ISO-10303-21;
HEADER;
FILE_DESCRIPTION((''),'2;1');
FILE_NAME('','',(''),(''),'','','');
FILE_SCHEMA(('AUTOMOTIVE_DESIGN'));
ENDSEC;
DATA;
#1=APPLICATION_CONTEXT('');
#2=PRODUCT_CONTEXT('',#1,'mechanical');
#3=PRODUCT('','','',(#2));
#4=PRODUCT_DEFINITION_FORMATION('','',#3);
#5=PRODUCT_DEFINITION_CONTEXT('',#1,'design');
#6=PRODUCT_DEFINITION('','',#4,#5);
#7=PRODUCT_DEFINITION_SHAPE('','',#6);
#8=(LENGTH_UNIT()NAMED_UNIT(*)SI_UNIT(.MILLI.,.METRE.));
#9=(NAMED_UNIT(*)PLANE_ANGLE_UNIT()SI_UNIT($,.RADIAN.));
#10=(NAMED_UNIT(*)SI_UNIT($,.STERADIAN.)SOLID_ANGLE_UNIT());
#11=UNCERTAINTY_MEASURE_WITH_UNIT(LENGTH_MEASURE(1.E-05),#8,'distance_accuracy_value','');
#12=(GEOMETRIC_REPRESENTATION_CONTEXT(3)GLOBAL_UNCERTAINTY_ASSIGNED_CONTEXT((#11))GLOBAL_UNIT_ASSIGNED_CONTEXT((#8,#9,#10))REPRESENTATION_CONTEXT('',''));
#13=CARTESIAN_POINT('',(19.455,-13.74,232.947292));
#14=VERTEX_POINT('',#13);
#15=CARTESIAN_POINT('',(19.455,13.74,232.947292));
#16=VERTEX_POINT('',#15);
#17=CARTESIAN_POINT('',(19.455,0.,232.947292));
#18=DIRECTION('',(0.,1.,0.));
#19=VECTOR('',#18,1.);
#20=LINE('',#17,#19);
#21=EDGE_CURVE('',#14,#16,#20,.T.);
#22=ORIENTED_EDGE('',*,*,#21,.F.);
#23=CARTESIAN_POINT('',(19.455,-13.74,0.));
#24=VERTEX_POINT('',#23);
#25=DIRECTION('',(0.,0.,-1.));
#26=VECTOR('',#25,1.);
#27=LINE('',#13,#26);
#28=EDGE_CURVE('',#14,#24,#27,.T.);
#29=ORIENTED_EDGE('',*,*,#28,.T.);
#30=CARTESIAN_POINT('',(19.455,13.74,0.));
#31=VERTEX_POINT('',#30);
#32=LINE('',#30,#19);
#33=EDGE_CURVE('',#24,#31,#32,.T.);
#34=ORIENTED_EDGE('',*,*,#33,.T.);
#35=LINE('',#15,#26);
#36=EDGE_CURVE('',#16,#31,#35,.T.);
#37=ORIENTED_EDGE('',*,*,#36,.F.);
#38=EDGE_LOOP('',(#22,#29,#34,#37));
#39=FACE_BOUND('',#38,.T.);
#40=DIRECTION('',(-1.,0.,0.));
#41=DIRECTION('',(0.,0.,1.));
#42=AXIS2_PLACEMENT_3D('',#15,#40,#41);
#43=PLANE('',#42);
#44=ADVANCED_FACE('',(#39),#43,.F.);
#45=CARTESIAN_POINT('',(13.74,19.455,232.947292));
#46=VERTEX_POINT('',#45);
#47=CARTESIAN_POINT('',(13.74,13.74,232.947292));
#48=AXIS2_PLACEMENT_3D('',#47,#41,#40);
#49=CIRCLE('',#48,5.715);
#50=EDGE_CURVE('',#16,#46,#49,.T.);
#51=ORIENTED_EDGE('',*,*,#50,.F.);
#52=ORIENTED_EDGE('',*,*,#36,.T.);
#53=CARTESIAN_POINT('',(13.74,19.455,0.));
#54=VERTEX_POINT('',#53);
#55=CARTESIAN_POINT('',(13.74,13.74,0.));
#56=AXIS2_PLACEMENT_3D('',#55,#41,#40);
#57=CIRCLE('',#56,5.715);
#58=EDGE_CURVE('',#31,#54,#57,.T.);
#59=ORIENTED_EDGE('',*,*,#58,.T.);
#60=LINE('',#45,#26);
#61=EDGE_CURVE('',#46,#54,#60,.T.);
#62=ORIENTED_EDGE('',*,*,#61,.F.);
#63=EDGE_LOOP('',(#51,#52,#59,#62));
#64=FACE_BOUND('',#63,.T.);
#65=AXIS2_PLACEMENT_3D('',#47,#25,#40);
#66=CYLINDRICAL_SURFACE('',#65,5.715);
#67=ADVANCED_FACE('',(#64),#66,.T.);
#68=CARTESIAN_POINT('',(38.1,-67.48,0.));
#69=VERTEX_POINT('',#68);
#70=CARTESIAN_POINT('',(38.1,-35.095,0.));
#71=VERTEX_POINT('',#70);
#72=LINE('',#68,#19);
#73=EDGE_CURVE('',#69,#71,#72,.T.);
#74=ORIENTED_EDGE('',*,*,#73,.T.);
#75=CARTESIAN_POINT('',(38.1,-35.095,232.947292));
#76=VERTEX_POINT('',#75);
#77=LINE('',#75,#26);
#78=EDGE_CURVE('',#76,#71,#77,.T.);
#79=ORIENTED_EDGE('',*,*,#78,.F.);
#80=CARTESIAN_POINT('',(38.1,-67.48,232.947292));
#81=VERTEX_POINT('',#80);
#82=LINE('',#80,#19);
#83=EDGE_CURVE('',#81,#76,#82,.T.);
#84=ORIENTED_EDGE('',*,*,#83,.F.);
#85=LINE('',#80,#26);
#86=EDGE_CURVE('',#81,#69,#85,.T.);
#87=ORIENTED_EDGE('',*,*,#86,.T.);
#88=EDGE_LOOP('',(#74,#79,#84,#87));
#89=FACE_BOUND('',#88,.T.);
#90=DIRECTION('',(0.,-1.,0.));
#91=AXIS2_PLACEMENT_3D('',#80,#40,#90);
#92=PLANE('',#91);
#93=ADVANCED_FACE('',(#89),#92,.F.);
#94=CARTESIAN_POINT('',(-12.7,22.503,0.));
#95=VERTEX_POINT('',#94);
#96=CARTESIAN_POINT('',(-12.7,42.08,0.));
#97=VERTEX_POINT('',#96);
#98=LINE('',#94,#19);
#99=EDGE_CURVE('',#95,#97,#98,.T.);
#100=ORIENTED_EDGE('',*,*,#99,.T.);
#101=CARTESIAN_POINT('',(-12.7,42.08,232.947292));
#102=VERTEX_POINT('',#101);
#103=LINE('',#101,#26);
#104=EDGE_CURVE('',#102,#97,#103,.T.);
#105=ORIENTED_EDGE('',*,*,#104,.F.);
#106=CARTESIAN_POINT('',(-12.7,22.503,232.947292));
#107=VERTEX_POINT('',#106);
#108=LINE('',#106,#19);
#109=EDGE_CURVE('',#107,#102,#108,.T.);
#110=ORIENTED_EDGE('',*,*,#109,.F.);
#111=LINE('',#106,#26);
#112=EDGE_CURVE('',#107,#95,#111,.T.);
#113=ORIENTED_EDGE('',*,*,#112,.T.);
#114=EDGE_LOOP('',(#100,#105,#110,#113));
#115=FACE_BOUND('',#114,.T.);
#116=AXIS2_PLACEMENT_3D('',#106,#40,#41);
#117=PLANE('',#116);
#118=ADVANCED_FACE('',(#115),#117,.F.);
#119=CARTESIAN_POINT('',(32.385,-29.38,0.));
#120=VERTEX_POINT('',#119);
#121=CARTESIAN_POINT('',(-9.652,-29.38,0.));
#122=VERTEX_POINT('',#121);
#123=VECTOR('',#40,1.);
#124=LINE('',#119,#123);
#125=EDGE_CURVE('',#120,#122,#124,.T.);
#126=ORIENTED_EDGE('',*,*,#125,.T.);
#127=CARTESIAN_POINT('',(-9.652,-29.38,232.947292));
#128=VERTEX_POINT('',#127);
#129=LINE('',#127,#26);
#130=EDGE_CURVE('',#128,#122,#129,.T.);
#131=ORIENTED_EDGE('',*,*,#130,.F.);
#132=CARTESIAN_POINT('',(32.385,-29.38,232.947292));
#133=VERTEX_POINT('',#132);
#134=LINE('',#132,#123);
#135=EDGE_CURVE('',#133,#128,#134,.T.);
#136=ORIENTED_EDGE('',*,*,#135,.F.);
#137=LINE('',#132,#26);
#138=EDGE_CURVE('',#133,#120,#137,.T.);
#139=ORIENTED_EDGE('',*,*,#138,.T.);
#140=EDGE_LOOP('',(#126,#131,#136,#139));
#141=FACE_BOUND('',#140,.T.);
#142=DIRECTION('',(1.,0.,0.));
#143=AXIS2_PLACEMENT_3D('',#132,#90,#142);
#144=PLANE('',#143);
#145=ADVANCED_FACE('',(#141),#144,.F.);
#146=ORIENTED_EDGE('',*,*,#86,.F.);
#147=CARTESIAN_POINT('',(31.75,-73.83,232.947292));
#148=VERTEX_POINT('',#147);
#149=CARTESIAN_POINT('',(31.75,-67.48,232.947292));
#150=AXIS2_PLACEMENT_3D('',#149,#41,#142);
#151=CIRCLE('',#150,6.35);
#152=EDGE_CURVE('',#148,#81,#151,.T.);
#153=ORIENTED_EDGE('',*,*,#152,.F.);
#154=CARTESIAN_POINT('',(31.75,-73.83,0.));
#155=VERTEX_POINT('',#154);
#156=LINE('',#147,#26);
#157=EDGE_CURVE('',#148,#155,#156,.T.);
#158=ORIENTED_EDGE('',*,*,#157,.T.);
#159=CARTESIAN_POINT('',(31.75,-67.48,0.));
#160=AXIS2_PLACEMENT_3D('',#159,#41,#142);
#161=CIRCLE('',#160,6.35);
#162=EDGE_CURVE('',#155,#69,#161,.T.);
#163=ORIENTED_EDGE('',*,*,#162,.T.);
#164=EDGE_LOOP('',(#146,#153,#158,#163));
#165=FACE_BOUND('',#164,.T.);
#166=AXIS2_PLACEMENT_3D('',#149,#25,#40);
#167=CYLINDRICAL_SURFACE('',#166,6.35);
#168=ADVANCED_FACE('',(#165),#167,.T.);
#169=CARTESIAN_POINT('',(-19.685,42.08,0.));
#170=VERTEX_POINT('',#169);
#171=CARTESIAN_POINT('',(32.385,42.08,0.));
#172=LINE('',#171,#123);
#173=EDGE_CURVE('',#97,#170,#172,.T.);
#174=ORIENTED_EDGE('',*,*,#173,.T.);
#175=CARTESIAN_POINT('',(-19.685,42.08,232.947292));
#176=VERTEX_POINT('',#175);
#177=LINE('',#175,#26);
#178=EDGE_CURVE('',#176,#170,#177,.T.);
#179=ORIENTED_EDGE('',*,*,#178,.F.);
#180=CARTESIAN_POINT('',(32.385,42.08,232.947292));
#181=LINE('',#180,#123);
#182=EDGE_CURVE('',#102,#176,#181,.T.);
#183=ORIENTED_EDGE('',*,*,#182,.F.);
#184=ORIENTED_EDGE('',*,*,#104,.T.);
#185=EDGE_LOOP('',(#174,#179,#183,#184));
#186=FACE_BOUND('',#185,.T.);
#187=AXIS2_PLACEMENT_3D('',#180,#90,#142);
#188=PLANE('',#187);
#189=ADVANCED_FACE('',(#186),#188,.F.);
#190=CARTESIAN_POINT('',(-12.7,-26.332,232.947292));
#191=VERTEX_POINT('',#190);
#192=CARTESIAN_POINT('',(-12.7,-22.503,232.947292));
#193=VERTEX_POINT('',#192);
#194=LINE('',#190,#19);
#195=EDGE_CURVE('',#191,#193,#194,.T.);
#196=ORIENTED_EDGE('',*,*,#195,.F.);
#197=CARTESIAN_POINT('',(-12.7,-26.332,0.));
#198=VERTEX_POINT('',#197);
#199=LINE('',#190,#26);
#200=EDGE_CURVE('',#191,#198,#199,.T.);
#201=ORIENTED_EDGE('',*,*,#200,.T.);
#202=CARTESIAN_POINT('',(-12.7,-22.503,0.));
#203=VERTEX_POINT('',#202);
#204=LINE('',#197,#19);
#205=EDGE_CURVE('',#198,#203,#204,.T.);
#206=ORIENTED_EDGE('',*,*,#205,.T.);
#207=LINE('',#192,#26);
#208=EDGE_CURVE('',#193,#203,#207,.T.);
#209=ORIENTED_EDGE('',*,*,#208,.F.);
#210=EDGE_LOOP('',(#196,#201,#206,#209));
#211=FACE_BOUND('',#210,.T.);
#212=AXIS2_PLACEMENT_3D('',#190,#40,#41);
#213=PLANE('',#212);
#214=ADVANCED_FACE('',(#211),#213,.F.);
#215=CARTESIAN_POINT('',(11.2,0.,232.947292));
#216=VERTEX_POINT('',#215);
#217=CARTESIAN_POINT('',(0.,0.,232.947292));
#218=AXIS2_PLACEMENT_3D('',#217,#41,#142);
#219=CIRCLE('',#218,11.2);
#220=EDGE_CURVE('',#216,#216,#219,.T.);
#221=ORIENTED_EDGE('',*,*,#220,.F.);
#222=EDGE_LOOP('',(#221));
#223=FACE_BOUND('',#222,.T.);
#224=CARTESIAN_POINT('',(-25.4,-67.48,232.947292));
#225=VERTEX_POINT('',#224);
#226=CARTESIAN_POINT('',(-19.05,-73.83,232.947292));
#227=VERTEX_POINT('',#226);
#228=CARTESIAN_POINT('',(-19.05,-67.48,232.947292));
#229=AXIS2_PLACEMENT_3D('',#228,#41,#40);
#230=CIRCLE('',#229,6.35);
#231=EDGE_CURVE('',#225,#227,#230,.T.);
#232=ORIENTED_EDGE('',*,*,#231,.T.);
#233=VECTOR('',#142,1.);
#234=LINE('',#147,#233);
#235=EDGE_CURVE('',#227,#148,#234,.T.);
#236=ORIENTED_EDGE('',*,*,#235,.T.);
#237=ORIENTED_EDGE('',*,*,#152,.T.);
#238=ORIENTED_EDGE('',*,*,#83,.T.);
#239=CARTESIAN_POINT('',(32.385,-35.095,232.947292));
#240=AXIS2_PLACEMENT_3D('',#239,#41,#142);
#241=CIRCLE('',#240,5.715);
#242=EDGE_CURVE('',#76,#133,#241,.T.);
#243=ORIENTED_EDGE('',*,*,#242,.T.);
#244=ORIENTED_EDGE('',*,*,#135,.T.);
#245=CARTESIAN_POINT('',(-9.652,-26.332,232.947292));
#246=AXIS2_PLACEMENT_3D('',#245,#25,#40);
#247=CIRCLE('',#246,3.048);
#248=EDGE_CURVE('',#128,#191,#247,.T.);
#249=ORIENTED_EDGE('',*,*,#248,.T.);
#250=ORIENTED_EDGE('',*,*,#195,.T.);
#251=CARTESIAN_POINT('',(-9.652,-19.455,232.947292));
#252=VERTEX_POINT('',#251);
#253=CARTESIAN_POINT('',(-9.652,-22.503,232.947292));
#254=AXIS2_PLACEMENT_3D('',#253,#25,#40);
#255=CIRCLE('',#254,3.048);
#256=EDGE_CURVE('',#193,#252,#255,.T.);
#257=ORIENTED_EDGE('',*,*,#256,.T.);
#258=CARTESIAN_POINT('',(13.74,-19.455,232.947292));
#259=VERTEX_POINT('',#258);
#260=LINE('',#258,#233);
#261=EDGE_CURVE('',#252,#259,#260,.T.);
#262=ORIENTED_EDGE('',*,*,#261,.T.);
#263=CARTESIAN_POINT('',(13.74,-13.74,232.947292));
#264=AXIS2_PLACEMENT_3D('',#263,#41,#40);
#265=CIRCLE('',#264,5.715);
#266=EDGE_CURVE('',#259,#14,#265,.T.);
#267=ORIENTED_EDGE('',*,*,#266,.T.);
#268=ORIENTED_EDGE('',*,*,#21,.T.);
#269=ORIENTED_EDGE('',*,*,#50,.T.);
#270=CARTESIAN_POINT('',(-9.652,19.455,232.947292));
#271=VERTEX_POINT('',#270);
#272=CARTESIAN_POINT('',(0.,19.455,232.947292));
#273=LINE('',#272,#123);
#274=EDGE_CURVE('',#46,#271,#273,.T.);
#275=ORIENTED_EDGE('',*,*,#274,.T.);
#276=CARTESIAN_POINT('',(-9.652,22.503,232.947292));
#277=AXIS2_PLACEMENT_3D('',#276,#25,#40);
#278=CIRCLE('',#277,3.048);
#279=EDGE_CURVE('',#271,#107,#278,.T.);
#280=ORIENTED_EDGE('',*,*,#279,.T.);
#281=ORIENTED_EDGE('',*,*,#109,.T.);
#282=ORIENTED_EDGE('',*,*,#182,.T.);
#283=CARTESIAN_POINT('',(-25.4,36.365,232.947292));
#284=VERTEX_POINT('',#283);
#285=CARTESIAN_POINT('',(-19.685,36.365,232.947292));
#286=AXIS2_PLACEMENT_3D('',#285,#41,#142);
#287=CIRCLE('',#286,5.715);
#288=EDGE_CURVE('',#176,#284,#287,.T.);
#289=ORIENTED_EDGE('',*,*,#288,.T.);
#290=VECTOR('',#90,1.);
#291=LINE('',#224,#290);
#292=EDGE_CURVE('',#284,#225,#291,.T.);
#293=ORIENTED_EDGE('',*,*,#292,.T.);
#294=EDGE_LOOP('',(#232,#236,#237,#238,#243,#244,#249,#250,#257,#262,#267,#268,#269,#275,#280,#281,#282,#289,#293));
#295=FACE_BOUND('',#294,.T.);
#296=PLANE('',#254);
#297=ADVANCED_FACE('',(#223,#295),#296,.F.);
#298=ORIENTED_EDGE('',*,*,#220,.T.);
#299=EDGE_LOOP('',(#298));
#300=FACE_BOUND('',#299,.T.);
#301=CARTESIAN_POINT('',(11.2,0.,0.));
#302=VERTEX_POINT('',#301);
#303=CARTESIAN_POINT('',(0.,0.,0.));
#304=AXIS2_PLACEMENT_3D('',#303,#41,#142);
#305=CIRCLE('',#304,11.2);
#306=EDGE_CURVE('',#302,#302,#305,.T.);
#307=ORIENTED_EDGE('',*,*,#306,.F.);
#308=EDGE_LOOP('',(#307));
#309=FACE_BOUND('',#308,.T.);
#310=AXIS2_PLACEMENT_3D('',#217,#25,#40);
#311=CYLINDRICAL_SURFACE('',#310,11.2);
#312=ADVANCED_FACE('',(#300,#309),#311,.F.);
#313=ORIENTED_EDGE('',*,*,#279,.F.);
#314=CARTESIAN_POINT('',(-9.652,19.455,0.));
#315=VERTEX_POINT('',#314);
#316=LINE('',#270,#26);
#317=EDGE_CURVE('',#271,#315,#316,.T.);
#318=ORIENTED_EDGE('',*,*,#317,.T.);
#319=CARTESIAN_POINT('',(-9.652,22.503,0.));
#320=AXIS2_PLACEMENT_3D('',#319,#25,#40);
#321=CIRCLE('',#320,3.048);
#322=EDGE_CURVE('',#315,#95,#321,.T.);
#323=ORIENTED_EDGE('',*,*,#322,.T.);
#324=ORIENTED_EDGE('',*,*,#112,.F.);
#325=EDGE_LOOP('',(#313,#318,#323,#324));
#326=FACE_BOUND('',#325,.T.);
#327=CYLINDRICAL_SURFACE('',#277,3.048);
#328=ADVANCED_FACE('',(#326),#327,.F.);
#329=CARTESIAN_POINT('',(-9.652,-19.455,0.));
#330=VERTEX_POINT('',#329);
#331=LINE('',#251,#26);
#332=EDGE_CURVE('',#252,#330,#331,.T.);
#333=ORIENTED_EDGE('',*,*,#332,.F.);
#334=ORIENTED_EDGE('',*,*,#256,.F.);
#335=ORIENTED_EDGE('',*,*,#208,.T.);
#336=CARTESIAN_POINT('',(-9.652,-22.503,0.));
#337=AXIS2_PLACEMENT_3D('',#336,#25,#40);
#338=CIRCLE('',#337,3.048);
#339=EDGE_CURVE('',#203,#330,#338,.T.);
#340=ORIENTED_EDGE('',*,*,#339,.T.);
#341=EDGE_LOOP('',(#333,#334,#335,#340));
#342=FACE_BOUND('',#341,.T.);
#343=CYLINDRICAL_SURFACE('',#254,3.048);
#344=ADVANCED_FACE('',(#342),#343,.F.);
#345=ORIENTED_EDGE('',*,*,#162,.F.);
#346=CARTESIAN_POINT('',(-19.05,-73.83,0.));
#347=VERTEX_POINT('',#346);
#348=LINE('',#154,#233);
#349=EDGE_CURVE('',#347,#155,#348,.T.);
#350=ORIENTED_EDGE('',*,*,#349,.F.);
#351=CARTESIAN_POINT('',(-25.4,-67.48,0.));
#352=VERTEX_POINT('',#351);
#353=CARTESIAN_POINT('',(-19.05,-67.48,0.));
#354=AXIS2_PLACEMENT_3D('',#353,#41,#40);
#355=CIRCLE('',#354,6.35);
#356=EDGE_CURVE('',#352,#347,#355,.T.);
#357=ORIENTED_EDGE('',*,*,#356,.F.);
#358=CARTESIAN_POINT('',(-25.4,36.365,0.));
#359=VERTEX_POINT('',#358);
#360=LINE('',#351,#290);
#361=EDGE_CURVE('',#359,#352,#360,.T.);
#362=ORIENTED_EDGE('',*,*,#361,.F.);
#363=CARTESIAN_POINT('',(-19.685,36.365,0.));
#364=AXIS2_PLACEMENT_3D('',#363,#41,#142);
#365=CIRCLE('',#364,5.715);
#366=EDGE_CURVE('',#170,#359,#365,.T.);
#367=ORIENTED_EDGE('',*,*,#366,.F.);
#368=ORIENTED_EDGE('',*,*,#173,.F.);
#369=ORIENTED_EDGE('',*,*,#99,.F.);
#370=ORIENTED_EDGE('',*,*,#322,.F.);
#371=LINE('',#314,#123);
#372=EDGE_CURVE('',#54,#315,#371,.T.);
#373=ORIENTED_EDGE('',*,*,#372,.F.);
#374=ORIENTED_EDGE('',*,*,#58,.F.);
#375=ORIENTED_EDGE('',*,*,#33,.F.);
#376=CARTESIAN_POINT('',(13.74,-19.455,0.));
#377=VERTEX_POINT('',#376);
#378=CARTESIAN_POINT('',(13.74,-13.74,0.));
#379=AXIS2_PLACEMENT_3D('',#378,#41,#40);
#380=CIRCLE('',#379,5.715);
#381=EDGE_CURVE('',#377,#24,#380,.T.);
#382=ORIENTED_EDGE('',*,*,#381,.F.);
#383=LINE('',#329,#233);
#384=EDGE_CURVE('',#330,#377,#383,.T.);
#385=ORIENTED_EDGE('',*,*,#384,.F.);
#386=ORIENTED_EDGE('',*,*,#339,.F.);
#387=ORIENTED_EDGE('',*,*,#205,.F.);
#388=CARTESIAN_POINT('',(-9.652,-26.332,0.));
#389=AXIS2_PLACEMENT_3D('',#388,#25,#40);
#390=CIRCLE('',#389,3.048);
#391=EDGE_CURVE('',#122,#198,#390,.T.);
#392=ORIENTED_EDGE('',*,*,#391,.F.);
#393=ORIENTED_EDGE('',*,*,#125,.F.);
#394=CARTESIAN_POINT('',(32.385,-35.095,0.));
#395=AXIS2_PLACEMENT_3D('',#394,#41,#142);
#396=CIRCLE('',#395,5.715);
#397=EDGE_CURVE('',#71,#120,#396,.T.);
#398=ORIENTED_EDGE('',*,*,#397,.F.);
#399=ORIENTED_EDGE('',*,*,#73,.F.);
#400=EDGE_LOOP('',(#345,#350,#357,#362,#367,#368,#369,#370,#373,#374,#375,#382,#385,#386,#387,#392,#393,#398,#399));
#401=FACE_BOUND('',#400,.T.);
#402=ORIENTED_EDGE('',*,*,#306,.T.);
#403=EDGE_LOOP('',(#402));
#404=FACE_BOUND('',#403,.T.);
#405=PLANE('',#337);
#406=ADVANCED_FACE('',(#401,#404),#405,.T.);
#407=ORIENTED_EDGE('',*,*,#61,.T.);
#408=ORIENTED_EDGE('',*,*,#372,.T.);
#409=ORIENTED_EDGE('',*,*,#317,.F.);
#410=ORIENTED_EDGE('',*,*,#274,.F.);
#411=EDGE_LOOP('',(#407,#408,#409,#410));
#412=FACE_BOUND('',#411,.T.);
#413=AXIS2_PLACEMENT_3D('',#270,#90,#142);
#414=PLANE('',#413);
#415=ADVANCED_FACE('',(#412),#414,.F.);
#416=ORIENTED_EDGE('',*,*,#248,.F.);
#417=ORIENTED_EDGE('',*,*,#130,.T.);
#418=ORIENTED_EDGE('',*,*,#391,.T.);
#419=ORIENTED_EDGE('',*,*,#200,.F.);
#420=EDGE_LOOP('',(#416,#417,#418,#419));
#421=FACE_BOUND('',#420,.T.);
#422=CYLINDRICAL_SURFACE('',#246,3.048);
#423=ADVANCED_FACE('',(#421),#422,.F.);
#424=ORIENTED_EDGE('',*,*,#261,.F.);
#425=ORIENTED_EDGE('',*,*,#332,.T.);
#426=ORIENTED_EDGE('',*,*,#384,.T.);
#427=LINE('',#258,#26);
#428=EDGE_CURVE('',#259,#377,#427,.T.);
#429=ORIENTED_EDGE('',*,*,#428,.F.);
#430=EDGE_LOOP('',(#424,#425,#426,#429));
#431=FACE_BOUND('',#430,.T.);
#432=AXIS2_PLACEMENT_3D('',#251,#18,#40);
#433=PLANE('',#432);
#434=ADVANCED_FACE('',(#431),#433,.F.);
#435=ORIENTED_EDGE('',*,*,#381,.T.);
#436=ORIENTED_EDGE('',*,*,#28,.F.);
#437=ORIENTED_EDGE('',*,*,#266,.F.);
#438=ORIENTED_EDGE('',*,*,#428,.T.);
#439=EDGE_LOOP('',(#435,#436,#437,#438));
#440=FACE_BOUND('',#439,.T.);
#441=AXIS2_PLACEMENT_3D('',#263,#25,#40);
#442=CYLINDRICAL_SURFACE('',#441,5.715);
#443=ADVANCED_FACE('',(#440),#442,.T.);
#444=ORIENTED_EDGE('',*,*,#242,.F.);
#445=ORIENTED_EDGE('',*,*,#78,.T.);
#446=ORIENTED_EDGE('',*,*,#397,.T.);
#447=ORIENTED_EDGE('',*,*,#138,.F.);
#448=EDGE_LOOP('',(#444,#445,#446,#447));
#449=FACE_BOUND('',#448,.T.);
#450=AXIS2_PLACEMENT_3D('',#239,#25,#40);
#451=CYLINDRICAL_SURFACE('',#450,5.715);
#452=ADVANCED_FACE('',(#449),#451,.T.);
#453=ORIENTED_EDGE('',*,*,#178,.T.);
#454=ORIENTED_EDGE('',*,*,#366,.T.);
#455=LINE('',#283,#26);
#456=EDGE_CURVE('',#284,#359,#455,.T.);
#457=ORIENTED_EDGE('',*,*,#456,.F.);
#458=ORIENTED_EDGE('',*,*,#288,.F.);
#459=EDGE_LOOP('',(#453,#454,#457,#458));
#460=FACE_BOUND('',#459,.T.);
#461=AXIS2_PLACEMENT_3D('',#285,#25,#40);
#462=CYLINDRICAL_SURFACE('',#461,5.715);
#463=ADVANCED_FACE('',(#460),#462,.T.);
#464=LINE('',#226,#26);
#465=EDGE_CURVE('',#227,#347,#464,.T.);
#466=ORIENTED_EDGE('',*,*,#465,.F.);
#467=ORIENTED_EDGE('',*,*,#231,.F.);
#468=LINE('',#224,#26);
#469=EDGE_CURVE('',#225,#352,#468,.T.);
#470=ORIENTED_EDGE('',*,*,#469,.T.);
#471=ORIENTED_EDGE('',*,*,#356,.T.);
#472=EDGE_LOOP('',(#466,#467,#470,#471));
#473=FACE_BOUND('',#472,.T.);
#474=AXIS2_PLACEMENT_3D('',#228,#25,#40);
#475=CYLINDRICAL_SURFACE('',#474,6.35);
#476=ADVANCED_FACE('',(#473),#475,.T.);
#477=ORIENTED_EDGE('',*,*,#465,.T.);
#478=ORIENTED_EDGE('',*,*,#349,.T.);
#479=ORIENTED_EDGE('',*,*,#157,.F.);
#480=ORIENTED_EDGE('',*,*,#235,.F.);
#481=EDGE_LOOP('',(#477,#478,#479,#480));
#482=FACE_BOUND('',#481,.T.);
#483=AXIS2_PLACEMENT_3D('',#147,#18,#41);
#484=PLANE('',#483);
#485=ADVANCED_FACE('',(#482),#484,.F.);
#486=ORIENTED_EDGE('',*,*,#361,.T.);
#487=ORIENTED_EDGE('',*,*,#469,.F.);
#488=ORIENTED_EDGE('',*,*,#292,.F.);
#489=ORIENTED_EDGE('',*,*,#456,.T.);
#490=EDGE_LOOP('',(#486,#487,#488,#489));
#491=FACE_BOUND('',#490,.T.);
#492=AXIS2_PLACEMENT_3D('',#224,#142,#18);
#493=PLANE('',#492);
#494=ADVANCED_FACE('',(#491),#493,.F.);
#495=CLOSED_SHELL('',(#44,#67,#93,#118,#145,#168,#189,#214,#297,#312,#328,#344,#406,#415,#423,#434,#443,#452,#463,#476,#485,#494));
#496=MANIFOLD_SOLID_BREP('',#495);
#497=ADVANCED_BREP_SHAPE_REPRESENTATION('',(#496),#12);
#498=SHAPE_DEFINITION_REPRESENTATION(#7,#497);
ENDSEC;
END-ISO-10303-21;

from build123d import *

# Parameters (mm, degrees)
SKETCH1_R           = 11.2
BOSS_EXTRUDE1_DEPTH = 232.947291788
CUT_EXTRUDE1_DEPTH  = 236.982


with BuildPart() as part:
    # Sketch1 → Boss-Extrude1 (new body)
    with BuildSketch(Plane.XY):
        with BuildLine():
            Line((-25.4, -67.479999962), (-25.4, 36.365))
            ThreePointArc((-25.4, 36.365), (-23.726115254, 40.406115254), (-19.685, 42.08))
            Line((-19.685, 42.08), (32.385, 42.08))
            ThreePointArc((32.385, 42.08), (36.426115254, 40.406115254), (38.1, 36.365))
            Line((38.1, 36.365), (38.1, 35.095))
            ThreePointArc((38.1, 35.095), (36.426115254, 31.053884746), (32.385, 29.38))
            Line((32.385, 29.38), (-9.652, 29.38))
            ThreePointArc((-9.652, 29.38), (-11.807261469, 28.487261469), (-12.7, 26.332))
            Line((-12.7, 26.332), (-12.7, 22.503))
            ThreePointArc((-12.7, 22.503), (-11.807261469, 20.347738531), (-9.652, 19.455))
            Line((-9.652, 19.455), (0, 19.455))
            Line((0, 19.455), (13.74, 19.455))
            ThreePointArc((13.74, 19.455), (17.781115254, 17.781115254), (19.455, 13.74))
            Line((19.455, 13.74), (19.455, 0))
            Line((19.455, 0), (19.455, -13.74))
            ThreePointArc((19.455, -13.74), (17.781115254, -17.781115254), (13.74, -19.455))
            Line((13.74, -19.455), (0, -19.455))
            Line((0, -19.455), (-9.652, -19.455))
            ThreePointArc((-9.652, -19.455), (-11.807261469, -20.347738531), (-12.7, -22.503))
            Line((-12.7, -22.503), (-12.7, -26.331999962))
            ThreePointArc((-12.7, -26.331999962), (-11.807261469, -28.487261431), (-9.652, -29.379999962))
            Line((-9.652, -29.379999962), (32.385, -29.379999962))
            ThreePointArc((32.385, -29.379999962), (36.426115254, -31.053884708), (38.1, -35.094999962))
            Line((38.1, -35.094999962), (38.1, -67.479999962))
            ThreePointArc((38.1, -67.479999962), (36.240128061, -71.970128023), (31.75, -73.829999962))
            Line((31.75, -73.829999962), (-19.05, -73.829999962))
            ThreePointArc((-19.05, -73.829999962), (-23.540128061, -71.970128023), (-25.4, -67.479999962))
        make_face()
        Circle(SKETCH1_R, mode=Mode.SUBTRACT)
    extrude(amount=BOSS_EXTRUDE1_DEPTH)

    # Sketch2 → Cut-Extrude1 (cut)
    with BuildSketch(Plane.XY.offset(232.947291788)):
        Polygon((19.455, -13.74), (38.1, -13.74), (38.1, 42.08), (19.455, 42.08), (-12.7, 42.08), (-12.7, 22.503), (19.455, 22.503), align=None)
    extrude(amount=-CUT_EXTRUDE1_DEPTH, mode=Mode.SUBTRACT)


solid = part.part
